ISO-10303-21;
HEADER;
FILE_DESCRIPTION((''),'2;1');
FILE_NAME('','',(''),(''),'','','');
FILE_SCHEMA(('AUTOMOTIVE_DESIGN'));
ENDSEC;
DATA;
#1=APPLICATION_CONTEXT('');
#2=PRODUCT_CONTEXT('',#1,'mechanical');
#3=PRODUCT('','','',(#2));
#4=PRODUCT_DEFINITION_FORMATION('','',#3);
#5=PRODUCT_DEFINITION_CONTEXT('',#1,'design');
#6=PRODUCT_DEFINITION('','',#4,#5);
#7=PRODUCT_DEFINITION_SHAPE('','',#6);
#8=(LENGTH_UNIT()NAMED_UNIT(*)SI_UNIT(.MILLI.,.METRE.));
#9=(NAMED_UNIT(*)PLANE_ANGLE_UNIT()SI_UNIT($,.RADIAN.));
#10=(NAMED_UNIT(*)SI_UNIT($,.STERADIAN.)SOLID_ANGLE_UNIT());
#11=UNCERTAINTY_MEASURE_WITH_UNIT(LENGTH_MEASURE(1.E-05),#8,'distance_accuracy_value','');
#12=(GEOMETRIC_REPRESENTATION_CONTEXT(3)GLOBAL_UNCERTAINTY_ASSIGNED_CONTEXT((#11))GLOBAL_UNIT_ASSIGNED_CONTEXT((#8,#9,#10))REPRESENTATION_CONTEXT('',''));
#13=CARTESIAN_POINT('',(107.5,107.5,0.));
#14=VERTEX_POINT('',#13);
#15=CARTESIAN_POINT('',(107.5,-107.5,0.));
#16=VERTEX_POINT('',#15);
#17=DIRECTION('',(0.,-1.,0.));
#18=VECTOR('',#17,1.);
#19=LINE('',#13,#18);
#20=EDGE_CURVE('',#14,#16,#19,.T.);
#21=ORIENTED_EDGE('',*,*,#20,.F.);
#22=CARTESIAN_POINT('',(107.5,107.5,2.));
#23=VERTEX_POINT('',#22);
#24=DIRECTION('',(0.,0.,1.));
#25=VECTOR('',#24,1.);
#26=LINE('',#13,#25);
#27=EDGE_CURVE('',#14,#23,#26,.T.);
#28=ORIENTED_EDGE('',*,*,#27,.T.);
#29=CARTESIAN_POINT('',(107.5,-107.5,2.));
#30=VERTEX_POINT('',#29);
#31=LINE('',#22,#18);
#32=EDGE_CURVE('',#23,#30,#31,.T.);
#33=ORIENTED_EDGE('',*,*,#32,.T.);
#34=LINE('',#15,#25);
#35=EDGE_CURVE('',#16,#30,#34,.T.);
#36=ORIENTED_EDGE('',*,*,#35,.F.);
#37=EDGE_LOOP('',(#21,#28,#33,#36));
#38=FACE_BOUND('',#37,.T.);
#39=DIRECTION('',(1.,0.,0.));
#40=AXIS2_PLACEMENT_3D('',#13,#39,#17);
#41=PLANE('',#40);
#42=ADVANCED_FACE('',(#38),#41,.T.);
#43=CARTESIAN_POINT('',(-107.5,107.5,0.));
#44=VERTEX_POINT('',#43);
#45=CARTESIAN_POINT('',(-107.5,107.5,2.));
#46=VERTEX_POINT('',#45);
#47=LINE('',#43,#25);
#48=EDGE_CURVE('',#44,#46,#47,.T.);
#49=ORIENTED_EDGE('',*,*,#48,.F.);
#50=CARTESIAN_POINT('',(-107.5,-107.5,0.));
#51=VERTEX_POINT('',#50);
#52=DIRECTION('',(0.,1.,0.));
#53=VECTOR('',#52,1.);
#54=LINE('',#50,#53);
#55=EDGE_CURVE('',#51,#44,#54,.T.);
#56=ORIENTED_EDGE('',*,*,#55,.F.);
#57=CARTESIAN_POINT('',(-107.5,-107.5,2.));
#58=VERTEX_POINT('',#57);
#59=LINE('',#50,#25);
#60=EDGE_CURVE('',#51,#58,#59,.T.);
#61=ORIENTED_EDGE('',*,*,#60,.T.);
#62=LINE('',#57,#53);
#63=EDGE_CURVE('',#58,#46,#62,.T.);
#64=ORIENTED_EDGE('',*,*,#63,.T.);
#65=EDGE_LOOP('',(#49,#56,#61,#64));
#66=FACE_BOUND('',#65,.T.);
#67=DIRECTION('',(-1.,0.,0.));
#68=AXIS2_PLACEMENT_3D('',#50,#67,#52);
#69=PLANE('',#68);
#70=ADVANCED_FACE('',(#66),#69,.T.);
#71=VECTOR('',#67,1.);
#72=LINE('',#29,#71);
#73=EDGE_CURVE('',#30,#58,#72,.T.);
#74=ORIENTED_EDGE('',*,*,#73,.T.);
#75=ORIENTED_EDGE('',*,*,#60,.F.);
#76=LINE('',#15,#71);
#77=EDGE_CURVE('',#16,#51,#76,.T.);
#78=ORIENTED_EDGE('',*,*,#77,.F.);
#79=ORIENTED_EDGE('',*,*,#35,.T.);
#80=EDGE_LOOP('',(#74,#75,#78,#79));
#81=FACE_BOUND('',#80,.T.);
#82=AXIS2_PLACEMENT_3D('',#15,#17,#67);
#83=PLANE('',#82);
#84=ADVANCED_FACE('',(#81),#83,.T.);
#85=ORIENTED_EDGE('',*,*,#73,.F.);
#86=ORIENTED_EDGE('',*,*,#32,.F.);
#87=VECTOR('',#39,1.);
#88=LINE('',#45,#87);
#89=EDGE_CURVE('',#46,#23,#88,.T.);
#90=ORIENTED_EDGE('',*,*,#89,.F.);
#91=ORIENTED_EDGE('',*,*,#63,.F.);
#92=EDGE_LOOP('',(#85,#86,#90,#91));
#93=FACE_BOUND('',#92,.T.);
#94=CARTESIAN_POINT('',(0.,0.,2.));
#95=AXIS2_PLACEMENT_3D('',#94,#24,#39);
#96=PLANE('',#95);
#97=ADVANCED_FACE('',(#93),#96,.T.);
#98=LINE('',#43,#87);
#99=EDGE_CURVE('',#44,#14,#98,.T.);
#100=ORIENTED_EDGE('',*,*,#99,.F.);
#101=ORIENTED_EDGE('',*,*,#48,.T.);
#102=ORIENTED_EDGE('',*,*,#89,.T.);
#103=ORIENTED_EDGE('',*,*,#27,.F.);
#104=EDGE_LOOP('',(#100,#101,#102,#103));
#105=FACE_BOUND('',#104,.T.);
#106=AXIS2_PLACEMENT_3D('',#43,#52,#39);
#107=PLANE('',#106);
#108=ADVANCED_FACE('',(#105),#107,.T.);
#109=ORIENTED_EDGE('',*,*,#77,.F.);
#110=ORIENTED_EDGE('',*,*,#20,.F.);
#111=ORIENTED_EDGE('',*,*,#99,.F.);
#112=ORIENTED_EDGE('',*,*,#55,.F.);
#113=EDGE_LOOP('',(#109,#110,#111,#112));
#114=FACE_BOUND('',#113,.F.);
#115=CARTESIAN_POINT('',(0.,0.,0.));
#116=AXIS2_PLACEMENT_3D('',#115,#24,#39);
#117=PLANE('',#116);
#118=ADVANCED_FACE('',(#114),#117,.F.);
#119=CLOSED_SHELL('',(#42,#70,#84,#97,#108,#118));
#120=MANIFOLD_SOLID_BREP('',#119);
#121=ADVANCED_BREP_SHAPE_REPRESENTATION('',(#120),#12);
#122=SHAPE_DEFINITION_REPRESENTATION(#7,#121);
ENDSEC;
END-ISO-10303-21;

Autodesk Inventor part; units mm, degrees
ref_plane "YZ Plane" through (0, 0, 0) normal (1, 0, 0) x (0, 1, 0)
ref_plane "XZ Plane" through (0, 0, 0) normal (0, 1, 0) x (-1, 0, 0)
ref_plane "XY Plane" through (0, 0, 0) normal (0, 0, 1) x (1, 0, 0)
sketch "草圖1" plane through (0, 0, 0) normal (0, 0, 1) x (1, 0, 0)
  line L0 (-107.5, 107.5) -> (107.5, 107.5)
  line L1 (107.5, 107.5) -> (107.5, -107.5)
  line L2 (107.5, -107.5) -> (-107.5, -107.5)
  line L3 (-107.5, -107.5) -> (-107.5, 107.5)
  line L4 (-107.5, 107.5) -> (107.5, -107.5) construction
  line L5 (107.5, 107.5) -> (-107.5, -107.5) construction
  point P0 (0, 0)
  dimension "d0" = 215
extrude "擠出1" add sketch "草圖1" along normal blind 2
properties part number "printer_base_plane"
